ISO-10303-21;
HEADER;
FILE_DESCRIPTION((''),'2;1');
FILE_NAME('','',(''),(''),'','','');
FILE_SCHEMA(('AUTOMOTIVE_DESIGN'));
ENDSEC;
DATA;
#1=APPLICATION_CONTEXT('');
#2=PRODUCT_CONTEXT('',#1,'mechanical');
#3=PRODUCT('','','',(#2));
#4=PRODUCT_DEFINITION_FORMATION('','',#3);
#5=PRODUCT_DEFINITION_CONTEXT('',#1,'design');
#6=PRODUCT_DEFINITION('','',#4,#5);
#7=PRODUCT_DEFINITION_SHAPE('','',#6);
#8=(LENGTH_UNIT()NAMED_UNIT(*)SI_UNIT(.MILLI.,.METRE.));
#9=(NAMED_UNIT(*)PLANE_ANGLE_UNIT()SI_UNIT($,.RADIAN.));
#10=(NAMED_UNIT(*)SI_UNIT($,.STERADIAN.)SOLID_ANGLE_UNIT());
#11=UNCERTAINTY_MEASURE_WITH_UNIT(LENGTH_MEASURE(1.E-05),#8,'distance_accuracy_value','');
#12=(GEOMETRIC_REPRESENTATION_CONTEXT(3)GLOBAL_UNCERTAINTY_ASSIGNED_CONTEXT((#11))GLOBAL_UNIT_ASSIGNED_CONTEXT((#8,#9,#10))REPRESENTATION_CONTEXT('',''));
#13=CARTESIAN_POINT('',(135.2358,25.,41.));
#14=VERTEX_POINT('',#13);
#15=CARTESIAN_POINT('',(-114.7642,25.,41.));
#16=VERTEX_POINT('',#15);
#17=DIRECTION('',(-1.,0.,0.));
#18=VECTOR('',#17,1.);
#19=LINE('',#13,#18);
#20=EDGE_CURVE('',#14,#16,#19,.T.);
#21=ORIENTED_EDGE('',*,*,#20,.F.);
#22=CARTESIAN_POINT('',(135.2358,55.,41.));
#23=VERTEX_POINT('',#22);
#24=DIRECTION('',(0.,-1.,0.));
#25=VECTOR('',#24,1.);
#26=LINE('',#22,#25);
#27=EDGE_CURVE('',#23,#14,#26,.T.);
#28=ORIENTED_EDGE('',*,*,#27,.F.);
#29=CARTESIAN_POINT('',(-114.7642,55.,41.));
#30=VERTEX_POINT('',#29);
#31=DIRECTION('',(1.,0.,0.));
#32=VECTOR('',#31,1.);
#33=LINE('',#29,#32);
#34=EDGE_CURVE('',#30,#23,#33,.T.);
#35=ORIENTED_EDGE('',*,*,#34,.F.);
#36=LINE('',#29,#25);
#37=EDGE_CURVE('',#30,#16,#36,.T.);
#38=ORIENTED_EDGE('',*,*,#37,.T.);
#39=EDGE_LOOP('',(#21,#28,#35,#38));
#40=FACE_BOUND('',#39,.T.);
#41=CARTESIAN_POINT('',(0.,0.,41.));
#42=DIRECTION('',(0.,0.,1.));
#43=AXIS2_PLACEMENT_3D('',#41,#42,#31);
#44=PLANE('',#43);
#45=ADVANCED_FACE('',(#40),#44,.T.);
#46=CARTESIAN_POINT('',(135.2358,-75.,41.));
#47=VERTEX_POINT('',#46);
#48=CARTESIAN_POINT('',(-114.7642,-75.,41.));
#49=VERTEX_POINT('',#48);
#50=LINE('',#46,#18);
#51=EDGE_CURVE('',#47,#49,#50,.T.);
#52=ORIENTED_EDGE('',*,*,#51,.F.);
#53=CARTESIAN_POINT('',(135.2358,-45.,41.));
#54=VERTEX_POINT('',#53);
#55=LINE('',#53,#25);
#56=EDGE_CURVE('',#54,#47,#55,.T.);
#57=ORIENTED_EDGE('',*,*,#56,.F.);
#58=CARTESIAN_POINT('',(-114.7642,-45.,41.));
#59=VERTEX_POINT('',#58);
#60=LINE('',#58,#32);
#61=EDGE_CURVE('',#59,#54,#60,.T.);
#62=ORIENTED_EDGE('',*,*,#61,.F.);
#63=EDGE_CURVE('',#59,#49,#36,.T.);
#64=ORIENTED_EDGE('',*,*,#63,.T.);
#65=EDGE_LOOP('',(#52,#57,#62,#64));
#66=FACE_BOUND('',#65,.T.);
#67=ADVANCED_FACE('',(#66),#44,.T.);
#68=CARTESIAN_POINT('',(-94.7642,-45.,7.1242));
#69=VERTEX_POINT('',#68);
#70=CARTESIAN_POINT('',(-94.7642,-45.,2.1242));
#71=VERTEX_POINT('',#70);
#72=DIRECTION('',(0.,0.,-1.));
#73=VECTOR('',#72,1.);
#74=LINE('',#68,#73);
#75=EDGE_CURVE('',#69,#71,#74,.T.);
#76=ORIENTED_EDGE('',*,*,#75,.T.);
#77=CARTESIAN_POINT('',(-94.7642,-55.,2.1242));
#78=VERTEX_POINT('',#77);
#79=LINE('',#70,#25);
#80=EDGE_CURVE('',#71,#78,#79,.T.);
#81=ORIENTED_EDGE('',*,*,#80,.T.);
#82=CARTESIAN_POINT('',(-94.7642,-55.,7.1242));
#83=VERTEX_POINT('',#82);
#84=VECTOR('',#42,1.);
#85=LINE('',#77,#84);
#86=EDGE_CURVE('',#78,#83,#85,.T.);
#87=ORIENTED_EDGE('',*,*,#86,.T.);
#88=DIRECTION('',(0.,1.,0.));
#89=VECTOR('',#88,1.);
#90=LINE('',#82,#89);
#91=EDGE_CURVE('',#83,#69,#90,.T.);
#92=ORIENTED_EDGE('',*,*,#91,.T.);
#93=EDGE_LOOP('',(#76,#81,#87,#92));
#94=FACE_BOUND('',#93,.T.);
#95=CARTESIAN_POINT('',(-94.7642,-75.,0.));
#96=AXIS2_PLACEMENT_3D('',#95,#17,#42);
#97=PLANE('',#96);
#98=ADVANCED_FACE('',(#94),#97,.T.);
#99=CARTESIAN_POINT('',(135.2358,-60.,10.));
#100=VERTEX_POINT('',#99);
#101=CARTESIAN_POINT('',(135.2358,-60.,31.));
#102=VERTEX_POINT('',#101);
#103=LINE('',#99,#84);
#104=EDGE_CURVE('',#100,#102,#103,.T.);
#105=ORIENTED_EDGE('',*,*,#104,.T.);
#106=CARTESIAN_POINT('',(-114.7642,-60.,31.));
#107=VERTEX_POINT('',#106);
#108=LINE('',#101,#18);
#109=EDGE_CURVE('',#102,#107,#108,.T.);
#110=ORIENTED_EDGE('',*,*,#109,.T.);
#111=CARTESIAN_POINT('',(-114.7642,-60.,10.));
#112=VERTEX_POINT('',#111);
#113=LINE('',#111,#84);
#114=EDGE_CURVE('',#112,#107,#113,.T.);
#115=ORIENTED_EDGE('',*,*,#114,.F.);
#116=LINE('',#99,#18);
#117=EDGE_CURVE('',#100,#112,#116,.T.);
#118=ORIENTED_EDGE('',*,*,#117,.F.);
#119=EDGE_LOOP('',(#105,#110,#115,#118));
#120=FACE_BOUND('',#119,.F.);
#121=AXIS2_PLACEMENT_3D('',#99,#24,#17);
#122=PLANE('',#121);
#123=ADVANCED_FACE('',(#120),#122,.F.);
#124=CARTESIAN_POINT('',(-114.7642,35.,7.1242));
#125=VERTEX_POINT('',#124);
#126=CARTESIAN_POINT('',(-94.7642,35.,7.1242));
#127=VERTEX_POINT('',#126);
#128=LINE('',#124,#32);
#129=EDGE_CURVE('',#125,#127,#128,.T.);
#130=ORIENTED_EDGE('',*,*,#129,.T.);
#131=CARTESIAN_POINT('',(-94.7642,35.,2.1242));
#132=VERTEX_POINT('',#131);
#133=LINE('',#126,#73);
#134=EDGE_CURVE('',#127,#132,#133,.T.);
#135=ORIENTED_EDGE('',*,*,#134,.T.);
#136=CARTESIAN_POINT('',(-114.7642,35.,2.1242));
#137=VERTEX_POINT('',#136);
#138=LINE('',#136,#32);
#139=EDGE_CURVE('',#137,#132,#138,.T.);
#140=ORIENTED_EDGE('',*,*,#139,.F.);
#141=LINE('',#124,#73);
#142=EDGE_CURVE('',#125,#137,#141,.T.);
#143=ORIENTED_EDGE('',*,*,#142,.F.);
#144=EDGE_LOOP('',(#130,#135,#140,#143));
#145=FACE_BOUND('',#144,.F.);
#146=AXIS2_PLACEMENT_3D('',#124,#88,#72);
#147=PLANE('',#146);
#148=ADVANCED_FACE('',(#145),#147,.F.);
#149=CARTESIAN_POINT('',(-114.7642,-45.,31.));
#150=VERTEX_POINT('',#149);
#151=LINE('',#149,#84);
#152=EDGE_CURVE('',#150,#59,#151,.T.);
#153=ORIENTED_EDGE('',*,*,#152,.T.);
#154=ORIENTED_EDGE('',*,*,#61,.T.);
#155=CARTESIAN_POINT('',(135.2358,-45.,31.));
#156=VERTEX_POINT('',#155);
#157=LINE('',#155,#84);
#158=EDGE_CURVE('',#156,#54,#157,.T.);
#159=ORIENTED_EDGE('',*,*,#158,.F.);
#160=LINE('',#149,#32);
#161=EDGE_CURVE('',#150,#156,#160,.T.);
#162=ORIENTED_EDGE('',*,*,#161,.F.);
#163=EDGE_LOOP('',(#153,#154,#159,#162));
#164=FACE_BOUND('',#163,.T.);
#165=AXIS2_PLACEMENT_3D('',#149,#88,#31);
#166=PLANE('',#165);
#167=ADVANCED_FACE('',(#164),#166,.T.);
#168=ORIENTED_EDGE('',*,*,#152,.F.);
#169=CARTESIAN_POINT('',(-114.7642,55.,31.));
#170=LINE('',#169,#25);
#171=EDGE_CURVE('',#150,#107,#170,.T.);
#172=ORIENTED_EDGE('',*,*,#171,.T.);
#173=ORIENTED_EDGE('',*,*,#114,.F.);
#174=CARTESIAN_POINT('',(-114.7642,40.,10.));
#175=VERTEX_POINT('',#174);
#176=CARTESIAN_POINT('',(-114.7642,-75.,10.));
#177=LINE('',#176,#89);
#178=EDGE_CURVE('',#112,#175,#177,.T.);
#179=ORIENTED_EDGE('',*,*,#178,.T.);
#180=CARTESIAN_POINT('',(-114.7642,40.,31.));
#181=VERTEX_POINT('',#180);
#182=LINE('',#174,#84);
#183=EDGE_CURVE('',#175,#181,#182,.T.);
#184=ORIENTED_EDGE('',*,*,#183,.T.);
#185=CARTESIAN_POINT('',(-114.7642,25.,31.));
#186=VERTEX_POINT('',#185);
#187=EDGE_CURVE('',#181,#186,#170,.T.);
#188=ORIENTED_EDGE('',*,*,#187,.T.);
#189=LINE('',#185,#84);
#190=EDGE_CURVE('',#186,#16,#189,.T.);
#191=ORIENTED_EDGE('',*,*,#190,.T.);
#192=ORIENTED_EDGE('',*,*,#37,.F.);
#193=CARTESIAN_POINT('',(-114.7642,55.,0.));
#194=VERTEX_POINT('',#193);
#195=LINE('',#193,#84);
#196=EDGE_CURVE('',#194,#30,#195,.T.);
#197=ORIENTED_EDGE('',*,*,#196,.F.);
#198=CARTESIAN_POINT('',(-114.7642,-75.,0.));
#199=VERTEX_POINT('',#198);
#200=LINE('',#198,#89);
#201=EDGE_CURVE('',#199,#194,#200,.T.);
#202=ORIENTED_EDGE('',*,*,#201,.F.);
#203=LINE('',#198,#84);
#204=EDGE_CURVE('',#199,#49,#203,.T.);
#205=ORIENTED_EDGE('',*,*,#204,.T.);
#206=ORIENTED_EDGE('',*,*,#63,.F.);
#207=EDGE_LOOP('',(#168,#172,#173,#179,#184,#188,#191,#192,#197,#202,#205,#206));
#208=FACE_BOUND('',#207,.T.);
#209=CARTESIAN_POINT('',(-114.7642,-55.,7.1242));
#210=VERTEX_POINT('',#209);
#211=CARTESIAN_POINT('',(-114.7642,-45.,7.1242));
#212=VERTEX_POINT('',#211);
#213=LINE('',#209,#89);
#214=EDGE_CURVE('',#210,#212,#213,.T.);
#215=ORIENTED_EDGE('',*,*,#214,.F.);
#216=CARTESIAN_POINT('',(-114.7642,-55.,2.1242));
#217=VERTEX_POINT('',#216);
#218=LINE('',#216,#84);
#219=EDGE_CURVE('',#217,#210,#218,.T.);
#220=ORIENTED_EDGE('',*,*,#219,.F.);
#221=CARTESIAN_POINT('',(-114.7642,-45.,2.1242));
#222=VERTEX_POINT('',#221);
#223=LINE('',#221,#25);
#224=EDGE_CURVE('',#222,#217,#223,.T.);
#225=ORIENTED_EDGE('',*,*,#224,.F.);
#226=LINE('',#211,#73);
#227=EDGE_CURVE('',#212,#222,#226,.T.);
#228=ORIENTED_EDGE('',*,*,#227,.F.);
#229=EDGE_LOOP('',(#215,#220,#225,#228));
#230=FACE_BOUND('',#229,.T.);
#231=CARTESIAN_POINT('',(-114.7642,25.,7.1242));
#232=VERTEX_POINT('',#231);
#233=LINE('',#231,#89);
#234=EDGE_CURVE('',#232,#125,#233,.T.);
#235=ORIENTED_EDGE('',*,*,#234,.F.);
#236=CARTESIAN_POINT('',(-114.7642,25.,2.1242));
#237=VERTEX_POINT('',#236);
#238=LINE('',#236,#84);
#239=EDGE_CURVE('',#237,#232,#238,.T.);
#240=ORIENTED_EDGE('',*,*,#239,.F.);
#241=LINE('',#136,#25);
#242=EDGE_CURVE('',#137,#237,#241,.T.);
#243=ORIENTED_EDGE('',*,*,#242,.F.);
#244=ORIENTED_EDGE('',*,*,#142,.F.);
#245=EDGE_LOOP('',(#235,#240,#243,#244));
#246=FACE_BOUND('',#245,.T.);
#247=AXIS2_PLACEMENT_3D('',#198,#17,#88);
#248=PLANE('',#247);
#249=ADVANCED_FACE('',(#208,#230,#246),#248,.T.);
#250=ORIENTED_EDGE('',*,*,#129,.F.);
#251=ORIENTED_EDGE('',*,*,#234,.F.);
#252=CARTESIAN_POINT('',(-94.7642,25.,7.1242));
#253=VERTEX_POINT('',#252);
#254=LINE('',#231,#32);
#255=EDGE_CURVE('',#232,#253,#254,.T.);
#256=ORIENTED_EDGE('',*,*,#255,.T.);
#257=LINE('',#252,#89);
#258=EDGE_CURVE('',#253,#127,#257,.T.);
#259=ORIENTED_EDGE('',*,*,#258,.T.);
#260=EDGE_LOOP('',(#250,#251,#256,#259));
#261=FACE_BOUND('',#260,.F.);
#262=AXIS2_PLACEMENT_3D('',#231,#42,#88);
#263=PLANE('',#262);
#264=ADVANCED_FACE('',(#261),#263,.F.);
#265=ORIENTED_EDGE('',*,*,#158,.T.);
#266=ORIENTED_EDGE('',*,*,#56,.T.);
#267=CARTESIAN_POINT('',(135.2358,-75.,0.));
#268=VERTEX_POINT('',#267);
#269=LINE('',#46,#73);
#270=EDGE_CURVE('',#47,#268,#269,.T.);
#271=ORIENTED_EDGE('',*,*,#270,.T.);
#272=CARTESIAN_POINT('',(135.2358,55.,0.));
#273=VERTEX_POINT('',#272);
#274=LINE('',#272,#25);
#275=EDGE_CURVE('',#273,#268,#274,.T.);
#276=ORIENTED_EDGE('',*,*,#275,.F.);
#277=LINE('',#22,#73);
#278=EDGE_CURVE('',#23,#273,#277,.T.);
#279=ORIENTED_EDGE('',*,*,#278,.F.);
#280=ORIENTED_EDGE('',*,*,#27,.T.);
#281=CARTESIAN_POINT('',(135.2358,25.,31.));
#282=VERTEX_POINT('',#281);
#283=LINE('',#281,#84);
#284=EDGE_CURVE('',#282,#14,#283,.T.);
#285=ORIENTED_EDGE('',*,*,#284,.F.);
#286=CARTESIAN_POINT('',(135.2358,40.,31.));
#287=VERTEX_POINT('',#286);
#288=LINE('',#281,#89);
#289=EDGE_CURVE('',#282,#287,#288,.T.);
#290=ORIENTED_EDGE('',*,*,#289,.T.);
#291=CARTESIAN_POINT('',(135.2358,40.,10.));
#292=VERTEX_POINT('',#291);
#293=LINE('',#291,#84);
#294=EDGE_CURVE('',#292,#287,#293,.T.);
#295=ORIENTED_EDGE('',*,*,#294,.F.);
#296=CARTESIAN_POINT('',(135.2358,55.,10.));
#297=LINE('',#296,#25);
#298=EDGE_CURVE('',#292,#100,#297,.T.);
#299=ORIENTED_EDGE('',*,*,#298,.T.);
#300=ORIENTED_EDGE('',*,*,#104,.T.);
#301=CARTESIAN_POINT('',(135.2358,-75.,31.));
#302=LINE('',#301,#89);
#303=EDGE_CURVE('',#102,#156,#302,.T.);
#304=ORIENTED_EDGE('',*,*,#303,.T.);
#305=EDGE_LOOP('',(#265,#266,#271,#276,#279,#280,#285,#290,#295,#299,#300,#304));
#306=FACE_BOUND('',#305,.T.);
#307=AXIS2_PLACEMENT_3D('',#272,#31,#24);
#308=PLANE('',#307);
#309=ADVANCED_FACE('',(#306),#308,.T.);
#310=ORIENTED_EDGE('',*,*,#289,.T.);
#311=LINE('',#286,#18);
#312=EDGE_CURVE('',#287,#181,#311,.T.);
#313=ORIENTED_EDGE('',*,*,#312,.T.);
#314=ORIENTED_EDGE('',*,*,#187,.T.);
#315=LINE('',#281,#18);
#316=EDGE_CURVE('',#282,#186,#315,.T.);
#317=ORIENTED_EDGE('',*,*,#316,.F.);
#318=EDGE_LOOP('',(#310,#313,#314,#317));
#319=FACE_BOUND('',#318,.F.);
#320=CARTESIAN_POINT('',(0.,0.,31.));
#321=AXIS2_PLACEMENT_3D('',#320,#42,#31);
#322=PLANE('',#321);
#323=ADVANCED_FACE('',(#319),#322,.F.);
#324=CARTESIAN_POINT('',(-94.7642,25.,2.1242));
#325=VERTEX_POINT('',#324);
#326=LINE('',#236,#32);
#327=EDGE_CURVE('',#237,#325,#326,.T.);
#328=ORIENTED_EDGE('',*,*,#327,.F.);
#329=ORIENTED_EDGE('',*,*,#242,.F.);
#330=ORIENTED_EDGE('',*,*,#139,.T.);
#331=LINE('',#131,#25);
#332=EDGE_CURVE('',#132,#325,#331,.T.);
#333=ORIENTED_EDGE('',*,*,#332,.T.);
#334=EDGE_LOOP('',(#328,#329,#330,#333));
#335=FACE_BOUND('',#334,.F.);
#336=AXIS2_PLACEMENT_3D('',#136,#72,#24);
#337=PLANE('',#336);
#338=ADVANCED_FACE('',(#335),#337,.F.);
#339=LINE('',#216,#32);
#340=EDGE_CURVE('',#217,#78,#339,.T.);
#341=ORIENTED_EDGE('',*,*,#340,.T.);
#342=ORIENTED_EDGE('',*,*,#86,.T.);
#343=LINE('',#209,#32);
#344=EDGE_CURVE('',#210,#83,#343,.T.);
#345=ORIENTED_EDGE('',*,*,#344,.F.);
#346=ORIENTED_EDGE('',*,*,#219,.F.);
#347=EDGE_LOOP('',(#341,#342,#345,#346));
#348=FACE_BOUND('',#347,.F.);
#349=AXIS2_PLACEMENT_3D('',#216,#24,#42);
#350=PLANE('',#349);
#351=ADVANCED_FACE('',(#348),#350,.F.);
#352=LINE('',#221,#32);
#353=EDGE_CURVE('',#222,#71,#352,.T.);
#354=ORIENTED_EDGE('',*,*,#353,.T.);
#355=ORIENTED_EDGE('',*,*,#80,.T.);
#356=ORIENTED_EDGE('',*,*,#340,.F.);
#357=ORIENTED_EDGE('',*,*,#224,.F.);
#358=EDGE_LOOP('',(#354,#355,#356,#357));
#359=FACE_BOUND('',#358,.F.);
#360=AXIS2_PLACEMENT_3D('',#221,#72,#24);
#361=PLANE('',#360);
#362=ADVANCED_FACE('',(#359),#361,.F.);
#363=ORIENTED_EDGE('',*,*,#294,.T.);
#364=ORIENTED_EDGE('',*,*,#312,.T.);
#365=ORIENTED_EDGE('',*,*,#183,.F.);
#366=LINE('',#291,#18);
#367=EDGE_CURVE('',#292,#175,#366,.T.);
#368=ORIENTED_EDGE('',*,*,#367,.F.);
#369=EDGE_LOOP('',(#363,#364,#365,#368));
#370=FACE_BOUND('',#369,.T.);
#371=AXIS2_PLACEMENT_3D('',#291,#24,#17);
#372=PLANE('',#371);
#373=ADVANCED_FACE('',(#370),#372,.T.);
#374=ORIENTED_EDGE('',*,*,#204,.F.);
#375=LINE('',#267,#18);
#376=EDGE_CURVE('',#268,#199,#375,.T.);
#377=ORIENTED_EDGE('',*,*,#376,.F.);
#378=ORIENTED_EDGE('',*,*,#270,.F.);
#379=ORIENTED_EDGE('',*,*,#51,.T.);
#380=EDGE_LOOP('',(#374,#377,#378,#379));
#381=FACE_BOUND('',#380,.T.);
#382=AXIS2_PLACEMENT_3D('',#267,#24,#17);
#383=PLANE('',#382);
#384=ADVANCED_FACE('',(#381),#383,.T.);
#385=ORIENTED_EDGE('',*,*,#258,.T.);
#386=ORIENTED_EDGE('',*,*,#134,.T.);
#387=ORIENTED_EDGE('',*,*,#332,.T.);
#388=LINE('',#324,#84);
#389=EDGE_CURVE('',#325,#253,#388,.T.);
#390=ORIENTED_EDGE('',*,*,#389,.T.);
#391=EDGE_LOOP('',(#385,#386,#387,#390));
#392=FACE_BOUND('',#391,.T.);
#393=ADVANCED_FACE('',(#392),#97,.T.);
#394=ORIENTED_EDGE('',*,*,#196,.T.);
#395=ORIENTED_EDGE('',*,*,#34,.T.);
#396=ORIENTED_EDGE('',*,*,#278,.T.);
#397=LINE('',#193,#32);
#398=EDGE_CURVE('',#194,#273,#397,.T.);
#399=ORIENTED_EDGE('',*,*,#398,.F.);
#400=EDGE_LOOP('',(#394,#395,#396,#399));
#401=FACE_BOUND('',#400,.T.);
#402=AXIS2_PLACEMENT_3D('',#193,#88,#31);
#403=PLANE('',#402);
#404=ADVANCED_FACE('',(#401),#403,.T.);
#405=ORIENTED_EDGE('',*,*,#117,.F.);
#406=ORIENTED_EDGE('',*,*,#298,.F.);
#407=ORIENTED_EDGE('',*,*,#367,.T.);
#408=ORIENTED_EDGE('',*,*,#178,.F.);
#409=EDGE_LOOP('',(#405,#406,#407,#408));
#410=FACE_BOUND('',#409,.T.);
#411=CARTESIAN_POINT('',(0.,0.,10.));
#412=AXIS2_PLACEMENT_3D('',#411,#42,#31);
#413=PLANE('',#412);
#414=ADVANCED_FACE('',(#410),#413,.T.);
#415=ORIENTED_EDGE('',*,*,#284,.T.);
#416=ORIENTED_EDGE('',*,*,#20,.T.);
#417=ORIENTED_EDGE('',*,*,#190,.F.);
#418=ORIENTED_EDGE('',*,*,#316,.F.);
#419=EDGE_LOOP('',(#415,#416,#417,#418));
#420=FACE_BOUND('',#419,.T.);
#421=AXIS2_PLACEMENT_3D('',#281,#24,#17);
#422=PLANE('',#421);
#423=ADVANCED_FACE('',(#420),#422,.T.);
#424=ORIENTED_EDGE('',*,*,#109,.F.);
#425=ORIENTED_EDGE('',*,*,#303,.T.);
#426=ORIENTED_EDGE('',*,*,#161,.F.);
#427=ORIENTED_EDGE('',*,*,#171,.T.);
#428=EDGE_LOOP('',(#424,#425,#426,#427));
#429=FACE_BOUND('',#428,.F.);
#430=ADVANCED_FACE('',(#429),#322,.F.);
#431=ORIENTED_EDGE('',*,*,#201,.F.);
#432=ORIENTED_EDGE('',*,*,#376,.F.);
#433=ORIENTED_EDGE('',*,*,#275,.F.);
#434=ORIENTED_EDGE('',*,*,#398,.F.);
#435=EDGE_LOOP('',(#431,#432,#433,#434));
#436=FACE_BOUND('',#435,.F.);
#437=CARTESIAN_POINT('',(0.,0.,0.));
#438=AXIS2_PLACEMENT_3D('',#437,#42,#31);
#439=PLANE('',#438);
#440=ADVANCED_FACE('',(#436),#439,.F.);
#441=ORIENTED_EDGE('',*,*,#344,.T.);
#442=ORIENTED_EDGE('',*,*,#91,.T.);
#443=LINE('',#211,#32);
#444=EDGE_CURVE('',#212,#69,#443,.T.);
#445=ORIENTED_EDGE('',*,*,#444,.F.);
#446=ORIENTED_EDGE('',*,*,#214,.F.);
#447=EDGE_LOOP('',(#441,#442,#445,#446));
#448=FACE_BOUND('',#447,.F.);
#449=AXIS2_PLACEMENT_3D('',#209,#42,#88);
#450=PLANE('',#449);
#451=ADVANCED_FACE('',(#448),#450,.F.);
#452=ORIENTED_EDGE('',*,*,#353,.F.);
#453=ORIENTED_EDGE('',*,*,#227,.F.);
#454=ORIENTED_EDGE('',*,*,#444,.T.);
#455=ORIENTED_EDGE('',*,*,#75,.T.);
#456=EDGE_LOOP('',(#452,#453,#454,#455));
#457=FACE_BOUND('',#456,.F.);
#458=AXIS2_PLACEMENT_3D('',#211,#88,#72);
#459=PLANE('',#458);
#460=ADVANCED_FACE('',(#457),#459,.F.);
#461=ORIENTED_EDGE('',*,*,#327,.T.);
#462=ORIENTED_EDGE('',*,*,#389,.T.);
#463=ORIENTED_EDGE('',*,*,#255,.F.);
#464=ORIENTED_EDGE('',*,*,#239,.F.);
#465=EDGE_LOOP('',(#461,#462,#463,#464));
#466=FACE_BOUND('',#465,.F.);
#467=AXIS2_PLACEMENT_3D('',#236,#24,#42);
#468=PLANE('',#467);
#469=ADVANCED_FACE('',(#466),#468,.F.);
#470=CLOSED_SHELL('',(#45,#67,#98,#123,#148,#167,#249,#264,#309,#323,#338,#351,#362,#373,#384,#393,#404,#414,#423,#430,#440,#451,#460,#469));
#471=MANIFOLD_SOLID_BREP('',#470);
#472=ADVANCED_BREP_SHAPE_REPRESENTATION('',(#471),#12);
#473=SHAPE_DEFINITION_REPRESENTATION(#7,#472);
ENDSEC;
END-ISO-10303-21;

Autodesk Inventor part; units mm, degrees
ref_plane "YZ Plane" through (0, 0, 0) normal (1, 0, 0) x (0, 1, 0)
ref_plane "XZ Plane" through (0, 0, 0) normal (0, 1, 0) x (-1, 0, 0)
ref_plane "XY Plane" through (0, 0, 0) normal (0, 0, 1) x (1, 0, 0)
sketch "Sketch1" plane through (0, 0, 0) normal (0, 0, 1) x (1, 0, 0)
  line L0 (-114.7642, 55) -> (135.2358, 55)
  line L1 (135.2358, 55) -> (135.2358, -75)
  line L2 (135.2358, -75) -> (-114.7642, -75)
  line L3 (-114.7642, -75) -> (-114.7642, 55)
  point P0 (0, 0)
  dimension "d0" = 250
  dimension "d1" = 130
extrude "Extrusion1" add sketch "Sketch1" along normal blind 10
sketch "Sketch2" plane through (0, 0, 10) normal (0, 0, 1) x (1, 0, 0)
  line L0 (135.2358, 55) -> (-114.7642, 55) projected
  line L1 (135.2358, -75) -> (135.2358, 55) projected
  line L2 (-114.7642, 55) -> (135.2358, 55)
  line L3 (135.2358, 55) -> (135.2358, 40)
  line L4 (135.2358, 40) -> (-114.7642, 40)
  line L5 (-114.7642, 40) -> (-114.7642, 55)
  line L6 (-114.7642, -75) -> (135.2358, -75)
  line L7 (135.2358, -75) -> (135.2358, -60)
  line L8 (135.2358, -60) -> (-114.7642, -60)
  line L9 (-114.7642, -60) -> (-114.7642, -75)
  point P0 (0, 0)
  dimension "d4" = 15
  dimension "d5" = 15
extrude "Extrusion2" add sketch "Sketch2" along normal blind 21
sketch "Sketch3" plane through (0, 0, 31) normal (0, 0, 1) x (1, 0, 0)
  line L0 (-114.7642, 55) -> (-114.7642, -75) projected
  line L1 (135.2358, -60) -> (135.2358, 40) projected
  line L2 (-114.7642, 55) -> (135.2358, 55)
  line L3 (135.2358, 55) -> (135.2358, 25)
  line L4 (135.2358, 25) -> (-114.7642, 25)
  line L5 (-114.7642, 25) -> (-114.7642, 55)
  line L6 (135.2358, -75) -> (135.2358, -60) projected
  line L7 (135.2358, -75) -> (-114.7642, -75)
  line L8 (-114.7642, -75) -> (-114.7642, -45)
  line L9 (-114.7642, -45) -> (135.2358, -45)
  line L10 (135.2358, -45) -> (135.2358, -75)
  point P0 (0, 0)
  point P1 (-114.7642, -45)
  dimension "d8" = 30
  dimension "d9" = 30
extrude "Extrusion3" add sketch "Sketch3" along normal blind 10 contours L2 L3 L1 L4 L0 | L9 L1 L6 L7 L0
sketch "Sketch4" plane through (-114.7642, -75, 0) normal (-1, 0, 0) x (0, 0, 1)
  line L0 (7.1242, 110) -> (2.1242, 110)
  line L1 (2.1242, 110) -> (2.1242, 100)
  line L2 (2.1242, 100) -> (7.1242, 100)
  line L3 (7.1242, 100) -> (7.1242, 110)
  line L4 (7.1242, 30) -> (2.1242, 30)
  line L5 (2.1242, 30) -> (2.1242, 20)
  line L6 (2.1242, 20) -> (7.1242, 20)
  line L7 (7.1242, 20) -> (7.1242, 30)
  line L8 (31, 100) -> (41, 100) projected
  line L9 (31, 30) -> (41, 30) projected
  point P0 (0, 75)
  dimension "d12" = 5
  dimension "d13" = 10
  dimension "d14" = 10
  dimension "d15" = 0
  dimension "d16" = 0
extrude "Extrusion4" cut sketch "Sketch4" against normal blind 20
equation "\"d5\" = d4"
equation "\"d9\" = d8"
properties part number "Part1_with_things"
